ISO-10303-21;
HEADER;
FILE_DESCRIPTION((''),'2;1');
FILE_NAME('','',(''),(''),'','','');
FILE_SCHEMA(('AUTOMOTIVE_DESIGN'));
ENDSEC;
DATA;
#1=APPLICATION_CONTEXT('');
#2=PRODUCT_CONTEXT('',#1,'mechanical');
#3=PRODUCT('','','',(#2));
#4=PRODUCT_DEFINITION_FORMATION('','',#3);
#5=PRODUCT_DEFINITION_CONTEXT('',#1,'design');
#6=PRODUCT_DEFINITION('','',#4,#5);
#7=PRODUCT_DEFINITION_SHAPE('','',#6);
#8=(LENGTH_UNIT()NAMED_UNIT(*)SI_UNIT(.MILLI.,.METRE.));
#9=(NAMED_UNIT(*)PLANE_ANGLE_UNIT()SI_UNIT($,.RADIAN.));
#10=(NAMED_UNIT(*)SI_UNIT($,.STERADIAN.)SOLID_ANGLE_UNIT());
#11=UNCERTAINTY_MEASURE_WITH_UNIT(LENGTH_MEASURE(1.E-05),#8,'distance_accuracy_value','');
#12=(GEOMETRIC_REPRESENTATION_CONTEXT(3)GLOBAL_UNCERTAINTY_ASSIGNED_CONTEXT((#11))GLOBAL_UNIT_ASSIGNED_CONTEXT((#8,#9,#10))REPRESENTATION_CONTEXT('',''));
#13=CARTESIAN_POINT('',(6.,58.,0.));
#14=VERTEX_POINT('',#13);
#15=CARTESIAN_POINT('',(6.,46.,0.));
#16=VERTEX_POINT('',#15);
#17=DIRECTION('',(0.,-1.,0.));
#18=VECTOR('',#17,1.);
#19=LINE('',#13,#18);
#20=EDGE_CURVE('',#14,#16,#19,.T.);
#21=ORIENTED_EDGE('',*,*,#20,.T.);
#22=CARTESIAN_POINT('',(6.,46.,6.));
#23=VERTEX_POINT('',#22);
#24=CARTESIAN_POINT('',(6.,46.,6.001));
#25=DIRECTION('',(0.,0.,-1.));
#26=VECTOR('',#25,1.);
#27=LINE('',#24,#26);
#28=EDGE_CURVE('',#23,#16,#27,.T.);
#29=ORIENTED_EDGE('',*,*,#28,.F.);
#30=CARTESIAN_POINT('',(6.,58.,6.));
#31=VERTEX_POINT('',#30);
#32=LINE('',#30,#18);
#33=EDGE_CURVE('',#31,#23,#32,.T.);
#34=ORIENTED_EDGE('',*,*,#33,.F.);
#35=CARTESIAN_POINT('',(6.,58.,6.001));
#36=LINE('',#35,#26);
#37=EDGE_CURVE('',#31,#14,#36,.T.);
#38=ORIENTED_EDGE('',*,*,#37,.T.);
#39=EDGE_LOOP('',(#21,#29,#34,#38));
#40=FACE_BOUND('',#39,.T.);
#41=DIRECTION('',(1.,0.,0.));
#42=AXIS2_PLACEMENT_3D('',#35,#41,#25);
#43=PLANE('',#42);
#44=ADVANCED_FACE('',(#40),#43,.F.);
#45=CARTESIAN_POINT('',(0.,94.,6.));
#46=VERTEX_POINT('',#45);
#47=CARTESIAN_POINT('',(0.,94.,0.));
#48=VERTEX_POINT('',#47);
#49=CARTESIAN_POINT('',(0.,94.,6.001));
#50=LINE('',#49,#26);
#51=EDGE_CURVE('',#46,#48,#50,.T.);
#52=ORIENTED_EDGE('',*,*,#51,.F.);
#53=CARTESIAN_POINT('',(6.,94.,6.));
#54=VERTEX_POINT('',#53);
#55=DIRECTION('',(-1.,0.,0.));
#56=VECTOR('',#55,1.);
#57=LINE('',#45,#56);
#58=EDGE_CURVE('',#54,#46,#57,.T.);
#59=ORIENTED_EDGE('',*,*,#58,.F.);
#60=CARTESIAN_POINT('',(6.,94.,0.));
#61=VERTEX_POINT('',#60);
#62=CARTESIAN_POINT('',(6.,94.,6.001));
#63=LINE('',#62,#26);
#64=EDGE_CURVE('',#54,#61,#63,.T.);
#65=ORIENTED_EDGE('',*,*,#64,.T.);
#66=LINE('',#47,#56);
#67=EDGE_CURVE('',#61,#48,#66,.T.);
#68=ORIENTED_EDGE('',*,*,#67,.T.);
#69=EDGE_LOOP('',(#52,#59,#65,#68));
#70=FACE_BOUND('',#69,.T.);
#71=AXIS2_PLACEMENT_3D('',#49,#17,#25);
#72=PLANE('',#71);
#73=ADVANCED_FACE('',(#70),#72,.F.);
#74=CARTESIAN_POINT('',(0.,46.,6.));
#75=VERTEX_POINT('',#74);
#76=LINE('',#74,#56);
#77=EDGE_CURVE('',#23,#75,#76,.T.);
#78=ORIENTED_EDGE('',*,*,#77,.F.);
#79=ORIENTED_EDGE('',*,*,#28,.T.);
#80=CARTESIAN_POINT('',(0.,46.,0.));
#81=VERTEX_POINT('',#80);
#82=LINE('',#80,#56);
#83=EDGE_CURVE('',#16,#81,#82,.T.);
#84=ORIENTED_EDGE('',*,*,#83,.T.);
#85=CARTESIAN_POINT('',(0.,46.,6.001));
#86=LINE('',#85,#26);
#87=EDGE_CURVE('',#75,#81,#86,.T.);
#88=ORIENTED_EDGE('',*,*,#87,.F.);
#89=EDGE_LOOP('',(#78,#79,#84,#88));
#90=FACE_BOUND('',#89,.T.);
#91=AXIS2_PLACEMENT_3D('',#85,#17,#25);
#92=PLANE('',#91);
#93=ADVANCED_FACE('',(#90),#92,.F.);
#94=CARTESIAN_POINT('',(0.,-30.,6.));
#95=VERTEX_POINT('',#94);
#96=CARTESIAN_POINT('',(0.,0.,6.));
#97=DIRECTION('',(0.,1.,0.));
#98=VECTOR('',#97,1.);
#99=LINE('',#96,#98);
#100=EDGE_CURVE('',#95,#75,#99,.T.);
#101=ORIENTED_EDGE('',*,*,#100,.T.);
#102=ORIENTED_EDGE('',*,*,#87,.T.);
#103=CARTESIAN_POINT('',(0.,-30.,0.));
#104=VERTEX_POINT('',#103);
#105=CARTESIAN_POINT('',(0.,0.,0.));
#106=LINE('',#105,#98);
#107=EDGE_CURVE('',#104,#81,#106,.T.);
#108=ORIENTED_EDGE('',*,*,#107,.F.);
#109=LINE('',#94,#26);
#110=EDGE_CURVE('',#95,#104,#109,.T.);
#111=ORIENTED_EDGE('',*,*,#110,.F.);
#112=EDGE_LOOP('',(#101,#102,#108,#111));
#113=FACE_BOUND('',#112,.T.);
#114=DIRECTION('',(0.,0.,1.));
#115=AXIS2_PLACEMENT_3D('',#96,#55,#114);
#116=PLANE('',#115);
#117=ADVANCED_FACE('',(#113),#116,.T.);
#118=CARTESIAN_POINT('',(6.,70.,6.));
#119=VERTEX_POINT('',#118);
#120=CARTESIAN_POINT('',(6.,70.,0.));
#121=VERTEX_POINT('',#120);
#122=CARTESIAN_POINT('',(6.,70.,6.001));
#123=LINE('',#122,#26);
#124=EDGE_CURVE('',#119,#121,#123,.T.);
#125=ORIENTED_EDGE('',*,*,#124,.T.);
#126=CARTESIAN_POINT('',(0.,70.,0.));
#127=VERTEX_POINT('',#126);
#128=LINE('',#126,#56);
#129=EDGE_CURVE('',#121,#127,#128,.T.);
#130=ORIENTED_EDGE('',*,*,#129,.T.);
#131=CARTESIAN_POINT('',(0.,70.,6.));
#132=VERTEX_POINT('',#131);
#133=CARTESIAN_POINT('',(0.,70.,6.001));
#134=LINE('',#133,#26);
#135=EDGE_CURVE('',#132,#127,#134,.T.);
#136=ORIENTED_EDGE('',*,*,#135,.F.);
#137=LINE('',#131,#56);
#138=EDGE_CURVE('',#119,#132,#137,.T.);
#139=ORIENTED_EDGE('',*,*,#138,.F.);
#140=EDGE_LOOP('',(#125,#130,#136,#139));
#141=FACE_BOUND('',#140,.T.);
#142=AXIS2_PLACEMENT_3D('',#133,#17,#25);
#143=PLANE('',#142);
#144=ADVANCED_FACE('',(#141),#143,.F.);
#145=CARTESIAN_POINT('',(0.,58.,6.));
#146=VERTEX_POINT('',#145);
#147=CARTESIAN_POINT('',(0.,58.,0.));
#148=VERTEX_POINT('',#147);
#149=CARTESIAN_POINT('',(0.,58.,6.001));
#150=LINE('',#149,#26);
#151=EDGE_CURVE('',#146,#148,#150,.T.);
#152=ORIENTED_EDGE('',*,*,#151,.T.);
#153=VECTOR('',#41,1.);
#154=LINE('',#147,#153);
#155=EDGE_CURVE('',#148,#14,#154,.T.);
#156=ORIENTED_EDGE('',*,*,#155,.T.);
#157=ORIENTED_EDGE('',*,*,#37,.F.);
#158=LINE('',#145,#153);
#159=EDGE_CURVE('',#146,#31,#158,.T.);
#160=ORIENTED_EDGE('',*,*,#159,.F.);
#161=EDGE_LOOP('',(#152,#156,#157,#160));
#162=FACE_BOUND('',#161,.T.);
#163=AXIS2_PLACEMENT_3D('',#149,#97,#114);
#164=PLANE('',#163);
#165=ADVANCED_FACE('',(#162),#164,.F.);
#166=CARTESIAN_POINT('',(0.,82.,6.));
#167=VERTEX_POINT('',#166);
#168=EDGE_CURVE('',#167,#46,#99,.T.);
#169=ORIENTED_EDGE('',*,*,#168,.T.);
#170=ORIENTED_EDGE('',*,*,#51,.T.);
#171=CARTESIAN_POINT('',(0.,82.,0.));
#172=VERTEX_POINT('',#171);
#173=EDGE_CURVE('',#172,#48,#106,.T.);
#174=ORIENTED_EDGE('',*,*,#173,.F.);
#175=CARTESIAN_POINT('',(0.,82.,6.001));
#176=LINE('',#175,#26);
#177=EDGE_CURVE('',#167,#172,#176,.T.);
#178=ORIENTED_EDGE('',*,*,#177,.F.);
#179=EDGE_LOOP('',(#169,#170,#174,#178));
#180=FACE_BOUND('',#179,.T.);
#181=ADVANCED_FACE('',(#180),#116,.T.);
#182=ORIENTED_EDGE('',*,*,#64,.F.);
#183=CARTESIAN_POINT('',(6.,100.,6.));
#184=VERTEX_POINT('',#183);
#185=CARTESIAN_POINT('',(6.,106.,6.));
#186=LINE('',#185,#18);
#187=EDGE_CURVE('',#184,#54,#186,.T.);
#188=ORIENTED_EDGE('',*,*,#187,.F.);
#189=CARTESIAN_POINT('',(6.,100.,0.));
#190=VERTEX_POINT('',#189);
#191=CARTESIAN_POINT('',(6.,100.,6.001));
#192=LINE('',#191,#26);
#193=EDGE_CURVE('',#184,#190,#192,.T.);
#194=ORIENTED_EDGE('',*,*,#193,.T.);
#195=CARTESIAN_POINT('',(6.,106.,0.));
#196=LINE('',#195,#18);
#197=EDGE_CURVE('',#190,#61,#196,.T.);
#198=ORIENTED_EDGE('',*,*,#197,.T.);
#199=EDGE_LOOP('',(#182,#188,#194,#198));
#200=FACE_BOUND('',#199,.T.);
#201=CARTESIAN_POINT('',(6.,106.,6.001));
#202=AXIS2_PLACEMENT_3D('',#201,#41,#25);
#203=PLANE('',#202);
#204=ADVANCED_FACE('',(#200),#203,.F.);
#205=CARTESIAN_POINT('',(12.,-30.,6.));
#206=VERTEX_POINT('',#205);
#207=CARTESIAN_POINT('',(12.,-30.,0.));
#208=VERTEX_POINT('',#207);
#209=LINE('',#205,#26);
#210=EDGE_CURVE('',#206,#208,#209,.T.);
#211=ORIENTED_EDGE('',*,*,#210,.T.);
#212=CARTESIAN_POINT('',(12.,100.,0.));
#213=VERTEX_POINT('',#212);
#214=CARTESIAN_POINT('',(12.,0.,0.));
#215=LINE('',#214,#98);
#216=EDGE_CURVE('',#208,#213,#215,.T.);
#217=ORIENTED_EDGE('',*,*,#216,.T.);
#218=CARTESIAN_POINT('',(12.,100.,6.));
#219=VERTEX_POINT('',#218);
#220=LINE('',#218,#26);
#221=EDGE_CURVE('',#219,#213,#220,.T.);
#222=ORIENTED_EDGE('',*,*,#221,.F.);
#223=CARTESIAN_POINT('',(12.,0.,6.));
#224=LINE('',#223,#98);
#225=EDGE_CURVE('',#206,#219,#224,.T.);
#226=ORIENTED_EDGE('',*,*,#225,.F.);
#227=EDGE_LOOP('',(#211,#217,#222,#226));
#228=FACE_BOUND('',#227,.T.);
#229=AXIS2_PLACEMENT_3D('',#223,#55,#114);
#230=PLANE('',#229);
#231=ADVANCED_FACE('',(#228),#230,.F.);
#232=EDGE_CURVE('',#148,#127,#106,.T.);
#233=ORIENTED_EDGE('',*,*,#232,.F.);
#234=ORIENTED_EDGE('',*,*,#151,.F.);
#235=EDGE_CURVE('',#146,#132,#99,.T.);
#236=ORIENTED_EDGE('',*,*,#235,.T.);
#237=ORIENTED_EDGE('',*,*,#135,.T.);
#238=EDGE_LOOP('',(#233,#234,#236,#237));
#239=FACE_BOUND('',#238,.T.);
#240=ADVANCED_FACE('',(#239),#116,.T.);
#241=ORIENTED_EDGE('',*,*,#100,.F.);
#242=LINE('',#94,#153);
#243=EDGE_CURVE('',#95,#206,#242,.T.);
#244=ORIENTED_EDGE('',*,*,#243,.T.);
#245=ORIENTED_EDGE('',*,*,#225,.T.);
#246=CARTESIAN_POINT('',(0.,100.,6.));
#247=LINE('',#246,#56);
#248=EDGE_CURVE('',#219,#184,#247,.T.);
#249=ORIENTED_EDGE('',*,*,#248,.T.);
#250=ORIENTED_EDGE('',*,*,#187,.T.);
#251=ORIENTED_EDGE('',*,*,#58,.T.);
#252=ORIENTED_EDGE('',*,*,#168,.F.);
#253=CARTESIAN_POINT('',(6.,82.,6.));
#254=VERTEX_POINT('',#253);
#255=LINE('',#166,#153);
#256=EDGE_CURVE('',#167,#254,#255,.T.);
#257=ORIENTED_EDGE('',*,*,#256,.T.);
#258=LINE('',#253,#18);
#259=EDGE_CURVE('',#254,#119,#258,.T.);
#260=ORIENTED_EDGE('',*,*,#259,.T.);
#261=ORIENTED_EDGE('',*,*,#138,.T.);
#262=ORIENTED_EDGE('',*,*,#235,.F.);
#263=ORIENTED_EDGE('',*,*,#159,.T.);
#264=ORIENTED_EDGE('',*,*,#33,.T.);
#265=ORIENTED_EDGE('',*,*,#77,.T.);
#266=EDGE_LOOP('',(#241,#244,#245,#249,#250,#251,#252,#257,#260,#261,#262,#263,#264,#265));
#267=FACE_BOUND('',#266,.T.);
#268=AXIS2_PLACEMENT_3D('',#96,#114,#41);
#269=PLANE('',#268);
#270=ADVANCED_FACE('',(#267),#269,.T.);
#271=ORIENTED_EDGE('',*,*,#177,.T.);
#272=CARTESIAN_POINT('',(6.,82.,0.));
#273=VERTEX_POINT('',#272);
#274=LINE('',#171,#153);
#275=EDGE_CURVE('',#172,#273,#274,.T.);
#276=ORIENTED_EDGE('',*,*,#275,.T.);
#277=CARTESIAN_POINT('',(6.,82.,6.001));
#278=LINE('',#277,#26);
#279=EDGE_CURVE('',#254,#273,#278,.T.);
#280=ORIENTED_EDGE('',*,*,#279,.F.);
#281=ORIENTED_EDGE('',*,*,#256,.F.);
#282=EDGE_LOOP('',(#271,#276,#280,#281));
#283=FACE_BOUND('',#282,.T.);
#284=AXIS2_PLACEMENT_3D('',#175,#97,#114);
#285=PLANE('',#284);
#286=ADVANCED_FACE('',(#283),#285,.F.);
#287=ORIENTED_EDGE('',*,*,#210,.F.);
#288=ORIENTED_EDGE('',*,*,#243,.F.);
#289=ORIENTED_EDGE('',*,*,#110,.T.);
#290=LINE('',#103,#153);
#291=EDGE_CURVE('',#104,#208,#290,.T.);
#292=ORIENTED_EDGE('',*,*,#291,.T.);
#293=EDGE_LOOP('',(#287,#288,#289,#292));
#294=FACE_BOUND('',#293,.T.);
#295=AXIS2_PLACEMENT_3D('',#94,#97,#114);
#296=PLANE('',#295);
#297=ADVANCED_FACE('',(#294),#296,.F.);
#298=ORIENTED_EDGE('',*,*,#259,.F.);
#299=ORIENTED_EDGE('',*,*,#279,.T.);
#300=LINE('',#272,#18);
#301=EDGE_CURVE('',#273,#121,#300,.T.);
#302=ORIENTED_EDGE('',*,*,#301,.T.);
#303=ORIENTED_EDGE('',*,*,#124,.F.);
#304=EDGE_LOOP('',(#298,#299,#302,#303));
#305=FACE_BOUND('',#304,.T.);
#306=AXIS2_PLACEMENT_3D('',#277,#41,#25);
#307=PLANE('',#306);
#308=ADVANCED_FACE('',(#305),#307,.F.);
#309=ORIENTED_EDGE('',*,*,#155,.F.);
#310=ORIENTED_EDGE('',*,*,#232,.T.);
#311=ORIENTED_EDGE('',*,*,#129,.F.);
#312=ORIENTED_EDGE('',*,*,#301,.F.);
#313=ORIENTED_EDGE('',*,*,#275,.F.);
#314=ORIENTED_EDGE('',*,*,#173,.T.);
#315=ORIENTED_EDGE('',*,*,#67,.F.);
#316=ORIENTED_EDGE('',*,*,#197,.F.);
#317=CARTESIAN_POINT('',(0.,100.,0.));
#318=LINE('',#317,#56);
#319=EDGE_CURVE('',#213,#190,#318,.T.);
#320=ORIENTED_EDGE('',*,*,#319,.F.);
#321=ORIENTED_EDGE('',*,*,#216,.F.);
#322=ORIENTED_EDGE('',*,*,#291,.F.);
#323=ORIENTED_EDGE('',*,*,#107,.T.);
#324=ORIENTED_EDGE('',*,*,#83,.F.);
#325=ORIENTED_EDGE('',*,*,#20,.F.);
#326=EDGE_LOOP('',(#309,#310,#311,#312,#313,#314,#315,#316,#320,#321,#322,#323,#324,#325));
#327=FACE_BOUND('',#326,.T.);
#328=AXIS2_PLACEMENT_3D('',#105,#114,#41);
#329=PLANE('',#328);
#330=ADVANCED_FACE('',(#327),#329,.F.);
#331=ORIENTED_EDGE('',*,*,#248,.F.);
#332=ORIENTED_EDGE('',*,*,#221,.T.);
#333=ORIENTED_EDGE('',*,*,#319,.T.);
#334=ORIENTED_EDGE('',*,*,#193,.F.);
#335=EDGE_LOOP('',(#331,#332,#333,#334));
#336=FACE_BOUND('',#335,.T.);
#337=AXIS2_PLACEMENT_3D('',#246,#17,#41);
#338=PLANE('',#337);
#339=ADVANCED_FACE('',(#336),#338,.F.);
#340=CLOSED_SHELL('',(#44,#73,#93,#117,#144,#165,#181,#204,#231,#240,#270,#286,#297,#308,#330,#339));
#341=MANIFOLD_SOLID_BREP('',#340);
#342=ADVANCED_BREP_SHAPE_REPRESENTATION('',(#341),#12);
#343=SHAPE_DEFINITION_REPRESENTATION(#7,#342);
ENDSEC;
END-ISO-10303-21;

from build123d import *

# Parameters (mm, degrees)
SKETCH1_W           = 12
SKETCH1_H           = 100
BOSS_EXTRUDE4_DEPTH = 6
SKETCH1_8_W         = 12
SKETCH1_8_H         = 30
BOSS_EXTRUDE5_DEPTH = 6
CUT_EXTRUDE1_REACH  = 102.896
SKETCH4_W           = 6
SKETCH4_H           = 12


with BuildPart() as part:
    # Sketch1 → Boss-Extrude4 (new body)
    with BuildSketch(Plane.XY):
        with Locations((6, 50)):
            Rectangle(SKETCH1_W, SKETCH1_H)
    extrude(amount=BOSS_EXTRUDE4_DEPTH)

    # Sketch1<8> → Boss-Extrude5 (add)
    with BuildSketch(Plane.XY):
        with Locations((6, -15)):
            Rectangle(SKETCH1_8_W, SKETCH1_8_H)
    extrude(amount=BOSS_EXTRUDE5_DEPTH)

    # Sketch4 → Cut-Extrude1 (cut, up to next)
    with BuildSketch(Plane(origin=(0, 0, 0), x_dir=(-1, 0, 0), z_dir=(0, 0, -1)), mode=Mode.PRIVATE) as cut_extrude1_sk1:
        with Locations((-3, 100)):
            Rectangle(SKETCH4_W, SKETCH4_H)
    cut_extrude1_tool1 = extrude(cut_extrude1_sk1.sketch, amount=-CUT_EXTRUDE1_REACH, mode=Mode.PRIVATE) & part.part
    # Sketch4 → Cut-Extrude1 (cut, up to next)
    with BuildSketch(Plane(origin=(0, 0, 0), x_dir=(-1, 0, 0), z_dir=(0, 0, -1)), mode=Mode.PRIVATE) as cut_extrude1_sk2:
        with Locations((-3, 76)):
            Rectangle(SKETCH4_W, SKETCH4_H)
    cut_extrude1_tool2 = extrude(cut_extrude1_sk2.sketch, amount=-CUT_EXTRUDE1_REACH, mode=Mode.PRIVATE) & part.part
    # Sketch4 → Cut-Extrude1 (cut, up to next)
    with BuildSketch(Plane(origin=(0, 0, 0), x_dir=(-1, 0, 0), z_dir=(0, 0, -1)), mode=Mode.PRIVATE) as cut_extrude1_sk3:
        with Locations((-3, 52)):
            Rectangle(SKETCH4_W, SKETCH4_H)
    cut_extrude1_tool3 = extrude(cut_extrude1_sk3.sketch, amount=-CUT_EXTRUDE1_REACH, mode=Mode.PRIVATE) & part.part
    add(cut_extrude1_tool1.solids().sort_by_distance((3, 100, 0))[0], mode=Mode.SUBTRACT)
    add(cut_extrude1_tool2.solids().sort_by_distance((3, 76, 0))[0], mode=Mode.SUBTRACT)
    add(cut_extrude1_tool3.solids().sort_by_distance((3, 52, 0))[0], mode=Mode.SUBTRACT)


solid = part.part
